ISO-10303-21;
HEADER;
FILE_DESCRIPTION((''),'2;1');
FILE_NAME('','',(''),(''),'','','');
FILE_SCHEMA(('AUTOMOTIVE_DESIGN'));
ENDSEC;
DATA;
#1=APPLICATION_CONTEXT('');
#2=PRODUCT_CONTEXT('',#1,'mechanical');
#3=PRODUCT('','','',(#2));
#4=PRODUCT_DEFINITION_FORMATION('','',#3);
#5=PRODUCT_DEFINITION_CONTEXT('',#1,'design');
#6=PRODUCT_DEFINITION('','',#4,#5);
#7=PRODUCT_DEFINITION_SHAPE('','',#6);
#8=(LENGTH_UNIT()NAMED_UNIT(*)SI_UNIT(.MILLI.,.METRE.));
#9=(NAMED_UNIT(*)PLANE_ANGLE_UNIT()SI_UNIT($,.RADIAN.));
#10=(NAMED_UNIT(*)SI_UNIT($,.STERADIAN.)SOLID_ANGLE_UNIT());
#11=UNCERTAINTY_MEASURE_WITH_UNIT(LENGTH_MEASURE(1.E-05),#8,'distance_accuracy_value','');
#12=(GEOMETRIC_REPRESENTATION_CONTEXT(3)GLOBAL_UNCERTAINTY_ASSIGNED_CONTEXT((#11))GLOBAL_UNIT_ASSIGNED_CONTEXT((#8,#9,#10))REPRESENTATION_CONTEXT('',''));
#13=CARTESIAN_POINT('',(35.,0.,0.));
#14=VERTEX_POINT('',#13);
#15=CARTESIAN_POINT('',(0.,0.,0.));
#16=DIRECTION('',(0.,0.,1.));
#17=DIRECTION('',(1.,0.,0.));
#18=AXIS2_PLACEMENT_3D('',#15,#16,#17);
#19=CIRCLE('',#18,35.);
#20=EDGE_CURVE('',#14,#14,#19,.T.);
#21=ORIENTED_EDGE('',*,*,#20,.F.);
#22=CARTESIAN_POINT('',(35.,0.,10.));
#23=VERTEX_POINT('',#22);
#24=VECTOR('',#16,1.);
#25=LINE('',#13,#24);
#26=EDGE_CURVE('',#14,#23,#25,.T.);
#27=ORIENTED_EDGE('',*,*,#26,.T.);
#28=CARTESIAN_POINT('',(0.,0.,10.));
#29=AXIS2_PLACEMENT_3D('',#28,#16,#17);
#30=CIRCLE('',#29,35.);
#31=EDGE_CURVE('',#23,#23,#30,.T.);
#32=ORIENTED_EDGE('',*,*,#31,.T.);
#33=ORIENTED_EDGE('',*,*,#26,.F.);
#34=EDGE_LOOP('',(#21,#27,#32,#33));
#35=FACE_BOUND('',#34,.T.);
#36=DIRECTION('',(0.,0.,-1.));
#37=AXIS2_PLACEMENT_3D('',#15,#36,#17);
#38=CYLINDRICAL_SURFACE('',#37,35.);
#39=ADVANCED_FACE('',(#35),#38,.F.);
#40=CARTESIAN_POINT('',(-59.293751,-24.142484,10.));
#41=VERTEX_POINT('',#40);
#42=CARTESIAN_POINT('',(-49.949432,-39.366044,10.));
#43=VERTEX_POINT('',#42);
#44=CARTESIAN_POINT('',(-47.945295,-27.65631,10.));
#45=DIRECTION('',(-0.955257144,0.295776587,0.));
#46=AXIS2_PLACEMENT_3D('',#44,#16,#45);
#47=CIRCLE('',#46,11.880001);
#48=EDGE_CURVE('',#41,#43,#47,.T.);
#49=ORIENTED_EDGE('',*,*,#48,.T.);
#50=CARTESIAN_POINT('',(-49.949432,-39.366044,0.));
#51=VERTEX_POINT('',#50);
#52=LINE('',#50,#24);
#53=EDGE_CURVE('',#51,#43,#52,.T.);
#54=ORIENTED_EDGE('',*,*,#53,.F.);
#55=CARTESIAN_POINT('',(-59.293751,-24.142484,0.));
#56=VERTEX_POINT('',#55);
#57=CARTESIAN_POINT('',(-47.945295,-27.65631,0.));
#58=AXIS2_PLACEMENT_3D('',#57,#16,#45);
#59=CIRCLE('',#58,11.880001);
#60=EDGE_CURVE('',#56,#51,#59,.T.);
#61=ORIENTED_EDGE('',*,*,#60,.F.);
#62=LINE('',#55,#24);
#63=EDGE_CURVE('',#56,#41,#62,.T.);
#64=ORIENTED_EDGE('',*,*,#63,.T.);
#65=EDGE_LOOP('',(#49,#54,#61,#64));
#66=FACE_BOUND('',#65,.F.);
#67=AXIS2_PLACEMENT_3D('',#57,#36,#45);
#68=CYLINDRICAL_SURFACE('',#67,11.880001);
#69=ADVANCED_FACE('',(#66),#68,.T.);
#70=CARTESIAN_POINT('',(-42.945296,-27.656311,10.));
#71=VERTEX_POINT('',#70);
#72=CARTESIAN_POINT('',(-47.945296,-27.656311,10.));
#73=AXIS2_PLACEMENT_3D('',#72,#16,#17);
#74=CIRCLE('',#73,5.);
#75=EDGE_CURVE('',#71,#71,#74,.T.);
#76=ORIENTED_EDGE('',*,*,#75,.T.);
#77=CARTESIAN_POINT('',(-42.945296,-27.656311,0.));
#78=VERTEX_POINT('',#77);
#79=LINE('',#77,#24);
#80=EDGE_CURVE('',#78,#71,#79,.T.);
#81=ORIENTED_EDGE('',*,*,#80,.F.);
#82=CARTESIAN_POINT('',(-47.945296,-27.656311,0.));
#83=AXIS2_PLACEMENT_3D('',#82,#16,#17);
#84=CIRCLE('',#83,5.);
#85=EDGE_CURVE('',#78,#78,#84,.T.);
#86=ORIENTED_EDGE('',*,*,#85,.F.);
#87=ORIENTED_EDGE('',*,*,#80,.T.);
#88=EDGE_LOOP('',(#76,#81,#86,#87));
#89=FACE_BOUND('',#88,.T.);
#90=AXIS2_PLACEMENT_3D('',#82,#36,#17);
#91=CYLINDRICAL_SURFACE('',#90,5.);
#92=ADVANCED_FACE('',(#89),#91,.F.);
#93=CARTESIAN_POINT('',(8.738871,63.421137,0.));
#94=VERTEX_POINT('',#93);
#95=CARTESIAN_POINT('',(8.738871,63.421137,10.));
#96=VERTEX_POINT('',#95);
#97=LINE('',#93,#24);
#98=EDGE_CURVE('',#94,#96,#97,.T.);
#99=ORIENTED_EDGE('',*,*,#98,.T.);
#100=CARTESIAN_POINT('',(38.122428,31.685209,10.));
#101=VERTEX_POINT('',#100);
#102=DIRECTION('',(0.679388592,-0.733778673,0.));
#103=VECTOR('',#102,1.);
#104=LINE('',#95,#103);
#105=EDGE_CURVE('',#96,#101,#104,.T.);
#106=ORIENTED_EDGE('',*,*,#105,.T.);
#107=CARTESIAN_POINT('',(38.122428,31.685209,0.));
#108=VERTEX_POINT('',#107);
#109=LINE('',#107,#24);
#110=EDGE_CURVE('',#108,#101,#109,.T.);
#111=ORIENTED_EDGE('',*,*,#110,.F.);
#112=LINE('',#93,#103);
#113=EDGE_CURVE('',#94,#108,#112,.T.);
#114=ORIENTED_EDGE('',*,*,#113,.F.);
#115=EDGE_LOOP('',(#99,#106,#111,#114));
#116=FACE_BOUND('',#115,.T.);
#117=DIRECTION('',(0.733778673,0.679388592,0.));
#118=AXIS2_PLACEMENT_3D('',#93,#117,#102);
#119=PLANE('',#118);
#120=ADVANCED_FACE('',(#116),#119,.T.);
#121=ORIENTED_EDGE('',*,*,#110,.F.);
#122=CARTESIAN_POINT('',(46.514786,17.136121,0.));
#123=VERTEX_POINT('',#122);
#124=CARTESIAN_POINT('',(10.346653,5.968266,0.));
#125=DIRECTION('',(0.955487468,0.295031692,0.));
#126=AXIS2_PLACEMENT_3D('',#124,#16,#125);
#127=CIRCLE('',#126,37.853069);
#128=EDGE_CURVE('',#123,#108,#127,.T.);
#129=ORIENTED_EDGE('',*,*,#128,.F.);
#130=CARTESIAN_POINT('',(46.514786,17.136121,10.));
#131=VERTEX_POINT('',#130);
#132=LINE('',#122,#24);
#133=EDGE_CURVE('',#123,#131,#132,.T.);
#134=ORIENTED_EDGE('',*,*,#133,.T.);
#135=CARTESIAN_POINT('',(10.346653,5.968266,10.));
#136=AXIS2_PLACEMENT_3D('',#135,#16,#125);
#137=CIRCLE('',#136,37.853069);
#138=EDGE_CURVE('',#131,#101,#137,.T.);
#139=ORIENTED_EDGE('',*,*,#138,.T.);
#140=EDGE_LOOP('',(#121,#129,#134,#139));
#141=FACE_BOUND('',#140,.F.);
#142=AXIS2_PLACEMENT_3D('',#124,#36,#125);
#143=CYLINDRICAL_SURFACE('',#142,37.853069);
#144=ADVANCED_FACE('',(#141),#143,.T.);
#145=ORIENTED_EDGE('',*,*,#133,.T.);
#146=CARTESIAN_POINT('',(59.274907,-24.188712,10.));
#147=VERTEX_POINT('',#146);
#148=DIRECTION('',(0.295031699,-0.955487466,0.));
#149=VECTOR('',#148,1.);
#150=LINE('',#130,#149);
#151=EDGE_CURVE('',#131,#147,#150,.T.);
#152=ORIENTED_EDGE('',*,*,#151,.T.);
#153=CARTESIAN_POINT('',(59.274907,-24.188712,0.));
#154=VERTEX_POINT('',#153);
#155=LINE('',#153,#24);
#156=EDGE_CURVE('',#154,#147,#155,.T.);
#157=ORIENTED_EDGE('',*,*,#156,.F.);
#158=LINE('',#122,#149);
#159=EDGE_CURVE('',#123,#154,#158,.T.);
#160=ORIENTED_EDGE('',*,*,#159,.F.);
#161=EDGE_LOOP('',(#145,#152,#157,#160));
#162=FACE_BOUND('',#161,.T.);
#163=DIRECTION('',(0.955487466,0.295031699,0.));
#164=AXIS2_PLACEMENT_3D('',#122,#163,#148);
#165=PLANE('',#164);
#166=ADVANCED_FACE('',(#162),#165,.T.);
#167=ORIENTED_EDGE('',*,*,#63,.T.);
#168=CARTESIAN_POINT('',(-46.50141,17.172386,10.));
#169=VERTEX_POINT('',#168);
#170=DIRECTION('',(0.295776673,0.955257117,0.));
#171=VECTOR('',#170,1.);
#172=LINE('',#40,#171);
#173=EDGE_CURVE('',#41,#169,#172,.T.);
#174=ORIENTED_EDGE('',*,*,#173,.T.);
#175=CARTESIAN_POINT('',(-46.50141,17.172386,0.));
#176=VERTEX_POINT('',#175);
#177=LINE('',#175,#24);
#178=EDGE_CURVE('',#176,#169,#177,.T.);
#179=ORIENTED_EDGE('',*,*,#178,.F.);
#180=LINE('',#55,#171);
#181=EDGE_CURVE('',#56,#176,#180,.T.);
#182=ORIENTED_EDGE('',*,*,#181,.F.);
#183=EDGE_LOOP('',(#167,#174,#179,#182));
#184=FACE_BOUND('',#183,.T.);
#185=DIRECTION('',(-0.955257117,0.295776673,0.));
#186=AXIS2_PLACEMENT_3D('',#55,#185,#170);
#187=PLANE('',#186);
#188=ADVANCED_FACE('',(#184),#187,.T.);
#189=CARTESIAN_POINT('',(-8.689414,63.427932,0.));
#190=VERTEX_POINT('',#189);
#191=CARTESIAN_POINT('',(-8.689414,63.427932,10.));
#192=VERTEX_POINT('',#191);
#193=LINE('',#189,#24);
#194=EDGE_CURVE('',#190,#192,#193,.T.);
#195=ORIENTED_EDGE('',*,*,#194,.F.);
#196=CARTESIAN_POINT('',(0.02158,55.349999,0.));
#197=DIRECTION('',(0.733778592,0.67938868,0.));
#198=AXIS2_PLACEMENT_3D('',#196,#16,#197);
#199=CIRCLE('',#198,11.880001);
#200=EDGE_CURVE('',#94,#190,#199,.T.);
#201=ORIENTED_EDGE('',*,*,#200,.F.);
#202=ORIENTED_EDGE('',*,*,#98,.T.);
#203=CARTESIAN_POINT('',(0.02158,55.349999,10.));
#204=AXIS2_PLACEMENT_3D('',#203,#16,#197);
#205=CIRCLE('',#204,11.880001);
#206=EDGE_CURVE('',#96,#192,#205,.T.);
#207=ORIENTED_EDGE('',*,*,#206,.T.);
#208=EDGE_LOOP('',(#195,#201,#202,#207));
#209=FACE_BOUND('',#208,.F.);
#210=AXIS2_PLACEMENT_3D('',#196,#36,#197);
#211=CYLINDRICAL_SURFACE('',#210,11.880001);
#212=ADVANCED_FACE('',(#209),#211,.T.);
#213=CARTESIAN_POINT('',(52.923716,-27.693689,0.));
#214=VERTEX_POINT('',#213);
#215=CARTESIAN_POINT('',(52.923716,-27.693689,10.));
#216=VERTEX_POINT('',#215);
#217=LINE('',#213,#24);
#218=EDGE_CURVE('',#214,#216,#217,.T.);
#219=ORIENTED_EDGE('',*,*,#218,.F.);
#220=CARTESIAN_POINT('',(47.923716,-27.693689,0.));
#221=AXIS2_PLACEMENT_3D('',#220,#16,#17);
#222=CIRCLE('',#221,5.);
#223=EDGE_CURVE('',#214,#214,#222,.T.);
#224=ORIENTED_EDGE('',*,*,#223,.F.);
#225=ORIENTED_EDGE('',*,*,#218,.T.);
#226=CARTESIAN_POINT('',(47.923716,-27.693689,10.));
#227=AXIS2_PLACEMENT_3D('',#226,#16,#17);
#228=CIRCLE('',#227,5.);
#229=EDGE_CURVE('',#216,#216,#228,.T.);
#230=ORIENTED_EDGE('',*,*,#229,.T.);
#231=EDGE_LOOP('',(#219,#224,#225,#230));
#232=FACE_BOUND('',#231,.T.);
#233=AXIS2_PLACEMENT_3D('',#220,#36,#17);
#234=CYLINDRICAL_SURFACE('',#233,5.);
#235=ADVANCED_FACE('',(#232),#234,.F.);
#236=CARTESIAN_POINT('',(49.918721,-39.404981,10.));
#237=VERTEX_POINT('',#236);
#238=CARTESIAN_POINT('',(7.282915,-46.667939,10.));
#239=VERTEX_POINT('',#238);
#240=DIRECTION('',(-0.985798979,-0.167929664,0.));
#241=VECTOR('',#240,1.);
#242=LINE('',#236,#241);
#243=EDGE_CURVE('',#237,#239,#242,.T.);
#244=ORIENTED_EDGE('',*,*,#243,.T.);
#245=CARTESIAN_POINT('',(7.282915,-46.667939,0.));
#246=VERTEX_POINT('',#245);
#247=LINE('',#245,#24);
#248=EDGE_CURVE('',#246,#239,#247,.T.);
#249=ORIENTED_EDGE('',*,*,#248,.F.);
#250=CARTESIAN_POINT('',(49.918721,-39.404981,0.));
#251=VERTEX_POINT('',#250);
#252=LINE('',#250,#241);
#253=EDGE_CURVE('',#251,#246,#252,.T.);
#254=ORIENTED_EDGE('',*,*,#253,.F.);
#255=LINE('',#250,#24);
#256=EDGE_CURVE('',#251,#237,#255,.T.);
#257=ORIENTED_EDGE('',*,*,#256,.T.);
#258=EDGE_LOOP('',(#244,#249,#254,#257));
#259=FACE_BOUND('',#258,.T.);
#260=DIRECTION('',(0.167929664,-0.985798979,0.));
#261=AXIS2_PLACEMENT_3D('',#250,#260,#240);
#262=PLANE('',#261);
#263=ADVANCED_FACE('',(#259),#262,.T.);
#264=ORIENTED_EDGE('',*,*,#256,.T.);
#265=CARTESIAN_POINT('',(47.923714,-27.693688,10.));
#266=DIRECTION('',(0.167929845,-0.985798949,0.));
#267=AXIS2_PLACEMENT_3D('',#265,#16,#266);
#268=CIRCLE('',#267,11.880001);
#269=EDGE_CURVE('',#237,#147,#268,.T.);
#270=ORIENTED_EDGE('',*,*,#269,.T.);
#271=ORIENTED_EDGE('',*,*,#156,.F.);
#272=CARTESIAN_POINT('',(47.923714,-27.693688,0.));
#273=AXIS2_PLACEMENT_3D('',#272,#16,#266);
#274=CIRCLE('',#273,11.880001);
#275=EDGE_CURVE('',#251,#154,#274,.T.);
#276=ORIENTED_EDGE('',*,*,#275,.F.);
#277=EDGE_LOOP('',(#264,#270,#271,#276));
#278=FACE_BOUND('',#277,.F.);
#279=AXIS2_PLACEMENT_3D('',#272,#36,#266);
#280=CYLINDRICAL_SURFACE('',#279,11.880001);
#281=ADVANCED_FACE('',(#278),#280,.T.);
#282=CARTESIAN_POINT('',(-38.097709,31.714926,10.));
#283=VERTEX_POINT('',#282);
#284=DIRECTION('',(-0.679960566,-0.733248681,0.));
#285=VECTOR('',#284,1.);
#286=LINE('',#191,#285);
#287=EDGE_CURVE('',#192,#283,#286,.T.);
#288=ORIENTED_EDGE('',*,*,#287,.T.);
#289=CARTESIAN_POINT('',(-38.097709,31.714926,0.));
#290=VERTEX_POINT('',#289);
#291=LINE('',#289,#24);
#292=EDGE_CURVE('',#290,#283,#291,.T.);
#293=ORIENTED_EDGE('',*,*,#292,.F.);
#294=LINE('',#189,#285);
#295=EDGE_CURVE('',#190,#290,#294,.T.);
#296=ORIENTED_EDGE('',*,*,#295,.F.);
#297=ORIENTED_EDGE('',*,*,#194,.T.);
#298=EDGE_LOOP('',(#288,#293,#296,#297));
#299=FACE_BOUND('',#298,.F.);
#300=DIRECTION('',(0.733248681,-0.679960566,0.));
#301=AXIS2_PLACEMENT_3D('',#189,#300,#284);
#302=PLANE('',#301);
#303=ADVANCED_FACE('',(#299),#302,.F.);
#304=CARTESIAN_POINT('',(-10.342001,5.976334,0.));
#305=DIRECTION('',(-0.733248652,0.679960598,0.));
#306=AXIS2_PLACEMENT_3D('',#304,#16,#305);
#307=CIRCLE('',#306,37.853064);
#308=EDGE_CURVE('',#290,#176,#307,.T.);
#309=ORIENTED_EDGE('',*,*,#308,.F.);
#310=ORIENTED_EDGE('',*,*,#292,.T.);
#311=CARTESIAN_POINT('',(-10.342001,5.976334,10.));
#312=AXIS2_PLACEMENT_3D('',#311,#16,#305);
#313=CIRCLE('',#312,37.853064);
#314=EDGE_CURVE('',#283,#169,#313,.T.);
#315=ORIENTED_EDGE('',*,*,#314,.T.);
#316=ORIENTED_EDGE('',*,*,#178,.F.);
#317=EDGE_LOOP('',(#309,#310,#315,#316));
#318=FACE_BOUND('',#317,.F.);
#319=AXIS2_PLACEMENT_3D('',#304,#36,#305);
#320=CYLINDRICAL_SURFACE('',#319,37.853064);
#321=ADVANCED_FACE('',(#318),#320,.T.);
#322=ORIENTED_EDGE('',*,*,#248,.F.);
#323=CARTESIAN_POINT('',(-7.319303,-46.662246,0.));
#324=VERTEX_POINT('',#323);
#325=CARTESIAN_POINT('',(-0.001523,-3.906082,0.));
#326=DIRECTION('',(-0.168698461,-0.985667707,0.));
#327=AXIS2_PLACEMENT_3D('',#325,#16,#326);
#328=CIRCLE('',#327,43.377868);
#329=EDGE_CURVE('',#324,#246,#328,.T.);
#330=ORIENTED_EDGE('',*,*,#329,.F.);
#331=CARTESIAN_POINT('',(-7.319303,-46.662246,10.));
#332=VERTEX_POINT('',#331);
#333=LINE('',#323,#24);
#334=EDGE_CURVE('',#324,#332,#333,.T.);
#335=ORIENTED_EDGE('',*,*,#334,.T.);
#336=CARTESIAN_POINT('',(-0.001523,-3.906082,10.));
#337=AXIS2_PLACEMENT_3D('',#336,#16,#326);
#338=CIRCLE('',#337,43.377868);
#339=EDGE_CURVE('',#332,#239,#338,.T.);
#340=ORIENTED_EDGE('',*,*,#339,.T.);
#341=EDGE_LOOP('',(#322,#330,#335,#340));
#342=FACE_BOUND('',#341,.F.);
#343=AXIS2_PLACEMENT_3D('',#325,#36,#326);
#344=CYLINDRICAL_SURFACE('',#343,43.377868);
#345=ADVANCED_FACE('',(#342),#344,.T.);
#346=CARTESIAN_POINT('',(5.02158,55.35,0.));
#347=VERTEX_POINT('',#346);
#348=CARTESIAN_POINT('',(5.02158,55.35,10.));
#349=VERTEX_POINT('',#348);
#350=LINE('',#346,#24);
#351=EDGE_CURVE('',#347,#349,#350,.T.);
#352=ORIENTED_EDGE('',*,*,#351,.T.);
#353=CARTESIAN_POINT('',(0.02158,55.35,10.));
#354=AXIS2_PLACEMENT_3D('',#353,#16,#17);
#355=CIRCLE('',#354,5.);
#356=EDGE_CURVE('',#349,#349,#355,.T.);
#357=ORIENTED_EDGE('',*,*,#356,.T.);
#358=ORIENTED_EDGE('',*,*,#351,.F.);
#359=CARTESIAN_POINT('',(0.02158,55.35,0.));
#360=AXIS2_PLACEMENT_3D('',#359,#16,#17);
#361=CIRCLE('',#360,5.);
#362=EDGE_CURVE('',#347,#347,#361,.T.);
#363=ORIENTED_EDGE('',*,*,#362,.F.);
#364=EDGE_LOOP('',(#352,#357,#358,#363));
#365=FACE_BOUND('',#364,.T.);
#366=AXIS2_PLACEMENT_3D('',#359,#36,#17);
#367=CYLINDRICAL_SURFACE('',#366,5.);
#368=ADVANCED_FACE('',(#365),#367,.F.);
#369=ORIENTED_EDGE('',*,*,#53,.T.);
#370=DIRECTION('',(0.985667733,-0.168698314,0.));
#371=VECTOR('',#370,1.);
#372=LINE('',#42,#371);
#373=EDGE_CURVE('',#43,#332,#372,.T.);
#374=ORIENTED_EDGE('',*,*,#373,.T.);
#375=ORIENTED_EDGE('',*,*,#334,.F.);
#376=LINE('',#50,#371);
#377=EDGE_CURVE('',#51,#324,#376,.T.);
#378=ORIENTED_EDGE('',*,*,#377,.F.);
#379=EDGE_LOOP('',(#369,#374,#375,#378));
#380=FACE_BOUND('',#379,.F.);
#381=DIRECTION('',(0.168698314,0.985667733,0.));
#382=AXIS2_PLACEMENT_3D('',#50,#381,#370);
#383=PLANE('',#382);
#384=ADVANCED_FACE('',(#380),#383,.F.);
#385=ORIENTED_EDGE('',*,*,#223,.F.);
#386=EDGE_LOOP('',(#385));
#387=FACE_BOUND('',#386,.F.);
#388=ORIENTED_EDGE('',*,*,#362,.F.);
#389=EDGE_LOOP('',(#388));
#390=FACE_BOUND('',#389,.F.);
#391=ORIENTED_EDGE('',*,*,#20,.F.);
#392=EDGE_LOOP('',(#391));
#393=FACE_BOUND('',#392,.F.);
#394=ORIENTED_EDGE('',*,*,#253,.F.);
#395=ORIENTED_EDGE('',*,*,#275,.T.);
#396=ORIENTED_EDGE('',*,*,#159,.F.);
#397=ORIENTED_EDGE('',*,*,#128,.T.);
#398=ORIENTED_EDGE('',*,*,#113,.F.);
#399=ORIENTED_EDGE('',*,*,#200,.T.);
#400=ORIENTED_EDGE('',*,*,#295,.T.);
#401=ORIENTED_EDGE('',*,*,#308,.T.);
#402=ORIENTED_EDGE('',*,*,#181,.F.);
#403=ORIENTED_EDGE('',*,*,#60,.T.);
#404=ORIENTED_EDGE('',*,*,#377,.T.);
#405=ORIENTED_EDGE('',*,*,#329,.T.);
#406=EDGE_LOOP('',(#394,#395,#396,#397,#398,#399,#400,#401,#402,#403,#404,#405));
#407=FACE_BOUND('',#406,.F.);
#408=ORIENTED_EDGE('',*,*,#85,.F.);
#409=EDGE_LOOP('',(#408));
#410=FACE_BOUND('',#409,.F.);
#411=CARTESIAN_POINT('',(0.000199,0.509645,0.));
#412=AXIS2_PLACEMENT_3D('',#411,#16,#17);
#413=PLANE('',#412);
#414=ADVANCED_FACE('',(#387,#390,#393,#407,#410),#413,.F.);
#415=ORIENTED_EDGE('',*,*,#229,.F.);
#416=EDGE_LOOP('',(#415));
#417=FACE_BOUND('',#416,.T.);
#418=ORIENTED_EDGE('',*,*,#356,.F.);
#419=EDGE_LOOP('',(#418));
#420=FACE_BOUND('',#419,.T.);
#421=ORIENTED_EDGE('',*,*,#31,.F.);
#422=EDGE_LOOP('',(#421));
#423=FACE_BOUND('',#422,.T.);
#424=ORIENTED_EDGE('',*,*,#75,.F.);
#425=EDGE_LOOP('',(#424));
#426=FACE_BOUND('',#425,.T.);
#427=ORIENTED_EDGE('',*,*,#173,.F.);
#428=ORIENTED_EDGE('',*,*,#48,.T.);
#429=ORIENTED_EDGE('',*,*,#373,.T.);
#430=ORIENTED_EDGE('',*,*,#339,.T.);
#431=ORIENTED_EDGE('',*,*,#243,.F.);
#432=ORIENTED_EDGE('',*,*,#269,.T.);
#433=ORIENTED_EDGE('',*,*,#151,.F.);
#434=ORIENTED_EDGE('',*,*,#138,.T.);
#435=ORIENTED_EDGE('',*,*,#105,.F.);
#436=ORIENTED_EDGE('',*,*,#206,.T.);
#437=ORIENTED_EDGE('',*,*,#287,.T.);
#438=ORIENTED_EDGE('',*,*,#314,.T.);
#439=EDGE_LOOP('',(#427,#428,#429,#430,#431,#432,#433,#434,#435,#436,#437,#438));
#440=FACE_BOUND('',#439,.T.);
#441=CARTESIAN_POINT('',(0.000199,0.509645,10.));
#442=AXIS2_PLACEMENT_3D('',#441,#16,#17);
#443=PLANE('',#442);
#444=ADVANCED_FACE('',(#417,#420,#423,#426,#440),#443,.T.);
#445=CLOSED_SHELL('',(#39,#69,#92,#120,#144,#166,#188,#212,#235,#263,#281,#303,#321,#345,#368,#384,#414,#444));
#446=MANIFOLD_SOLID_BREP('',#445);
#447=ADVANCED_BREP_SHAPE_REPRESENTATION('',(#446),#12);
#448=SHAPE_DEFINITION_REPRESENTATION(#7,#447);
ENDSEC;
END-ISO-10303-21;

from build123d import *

# Parameters (mm, degrees)
SKETCH_R   = 35
SKETCH_R_2 = 5
PAD_DEPTH  = 10


with BuildPart() as part:
    # Sketch → Pad (new body)
    with BuildSketch(Plane.XY):
        with BuildLine():
            ThreePointArc((8.738871, 63.421137), (0.026212, 67.229999), (-8.689414, 63.427932))
            Line((-8.689414, 63.427932), (-38.097709, 31.714926))
            ThreePointArc((-38.097709, 31.714926), (-43.116334, 24.915646), (-46.50141, 17.172386))
            Line((-59.293751, -24.142484), (-46.50141, 17.172386))
            ThreePointArc((-59.293751, -24.142484), (-58.070122, -33.870995), (-49.949432, -39.366044))
            Line((-49.949432, -39.366044), (-7.319303, -46.662246))
            ThreePointArc((-7.319303, -46.662246), (-0.018435, -47.283947), (7.282915, -46.667939))
            Line((49.918721, -39.404981), (7.282915, -46.667939))
            ThreePointArc((49.918721, -39.404981), (58.043693, -33.916265), (59.274907, -24.188712))
            Line((46.514786, 17.136121), (59.274907, -24.188712))
            ThreePointArc((46.514786, 17.136121), (43.135749, 24.882018), (38.122428, 31.685209))
            Line((8.738871, 63.421137), (38.122428, 31.685209))
        make_face()
        Circle(SKETCH_R, mode=Mode.SUBTRACT)
        with Locations((-47.945296, -27.656311)):
            Circle(SKETCH_R_2, mode=Mode.SUBTRACT)
        with Locations((47.923716, -27.693689)):
            Circle(SKETCH_R_2, mode=Mode.SUBTRACT)
        with Locations((0.02158, 55.35)):
            Circle(SKETCH_R_2, mode=Mode.SUBTRACT)
    extrude(amount=PAD_DEPTH)


solid = part.part
